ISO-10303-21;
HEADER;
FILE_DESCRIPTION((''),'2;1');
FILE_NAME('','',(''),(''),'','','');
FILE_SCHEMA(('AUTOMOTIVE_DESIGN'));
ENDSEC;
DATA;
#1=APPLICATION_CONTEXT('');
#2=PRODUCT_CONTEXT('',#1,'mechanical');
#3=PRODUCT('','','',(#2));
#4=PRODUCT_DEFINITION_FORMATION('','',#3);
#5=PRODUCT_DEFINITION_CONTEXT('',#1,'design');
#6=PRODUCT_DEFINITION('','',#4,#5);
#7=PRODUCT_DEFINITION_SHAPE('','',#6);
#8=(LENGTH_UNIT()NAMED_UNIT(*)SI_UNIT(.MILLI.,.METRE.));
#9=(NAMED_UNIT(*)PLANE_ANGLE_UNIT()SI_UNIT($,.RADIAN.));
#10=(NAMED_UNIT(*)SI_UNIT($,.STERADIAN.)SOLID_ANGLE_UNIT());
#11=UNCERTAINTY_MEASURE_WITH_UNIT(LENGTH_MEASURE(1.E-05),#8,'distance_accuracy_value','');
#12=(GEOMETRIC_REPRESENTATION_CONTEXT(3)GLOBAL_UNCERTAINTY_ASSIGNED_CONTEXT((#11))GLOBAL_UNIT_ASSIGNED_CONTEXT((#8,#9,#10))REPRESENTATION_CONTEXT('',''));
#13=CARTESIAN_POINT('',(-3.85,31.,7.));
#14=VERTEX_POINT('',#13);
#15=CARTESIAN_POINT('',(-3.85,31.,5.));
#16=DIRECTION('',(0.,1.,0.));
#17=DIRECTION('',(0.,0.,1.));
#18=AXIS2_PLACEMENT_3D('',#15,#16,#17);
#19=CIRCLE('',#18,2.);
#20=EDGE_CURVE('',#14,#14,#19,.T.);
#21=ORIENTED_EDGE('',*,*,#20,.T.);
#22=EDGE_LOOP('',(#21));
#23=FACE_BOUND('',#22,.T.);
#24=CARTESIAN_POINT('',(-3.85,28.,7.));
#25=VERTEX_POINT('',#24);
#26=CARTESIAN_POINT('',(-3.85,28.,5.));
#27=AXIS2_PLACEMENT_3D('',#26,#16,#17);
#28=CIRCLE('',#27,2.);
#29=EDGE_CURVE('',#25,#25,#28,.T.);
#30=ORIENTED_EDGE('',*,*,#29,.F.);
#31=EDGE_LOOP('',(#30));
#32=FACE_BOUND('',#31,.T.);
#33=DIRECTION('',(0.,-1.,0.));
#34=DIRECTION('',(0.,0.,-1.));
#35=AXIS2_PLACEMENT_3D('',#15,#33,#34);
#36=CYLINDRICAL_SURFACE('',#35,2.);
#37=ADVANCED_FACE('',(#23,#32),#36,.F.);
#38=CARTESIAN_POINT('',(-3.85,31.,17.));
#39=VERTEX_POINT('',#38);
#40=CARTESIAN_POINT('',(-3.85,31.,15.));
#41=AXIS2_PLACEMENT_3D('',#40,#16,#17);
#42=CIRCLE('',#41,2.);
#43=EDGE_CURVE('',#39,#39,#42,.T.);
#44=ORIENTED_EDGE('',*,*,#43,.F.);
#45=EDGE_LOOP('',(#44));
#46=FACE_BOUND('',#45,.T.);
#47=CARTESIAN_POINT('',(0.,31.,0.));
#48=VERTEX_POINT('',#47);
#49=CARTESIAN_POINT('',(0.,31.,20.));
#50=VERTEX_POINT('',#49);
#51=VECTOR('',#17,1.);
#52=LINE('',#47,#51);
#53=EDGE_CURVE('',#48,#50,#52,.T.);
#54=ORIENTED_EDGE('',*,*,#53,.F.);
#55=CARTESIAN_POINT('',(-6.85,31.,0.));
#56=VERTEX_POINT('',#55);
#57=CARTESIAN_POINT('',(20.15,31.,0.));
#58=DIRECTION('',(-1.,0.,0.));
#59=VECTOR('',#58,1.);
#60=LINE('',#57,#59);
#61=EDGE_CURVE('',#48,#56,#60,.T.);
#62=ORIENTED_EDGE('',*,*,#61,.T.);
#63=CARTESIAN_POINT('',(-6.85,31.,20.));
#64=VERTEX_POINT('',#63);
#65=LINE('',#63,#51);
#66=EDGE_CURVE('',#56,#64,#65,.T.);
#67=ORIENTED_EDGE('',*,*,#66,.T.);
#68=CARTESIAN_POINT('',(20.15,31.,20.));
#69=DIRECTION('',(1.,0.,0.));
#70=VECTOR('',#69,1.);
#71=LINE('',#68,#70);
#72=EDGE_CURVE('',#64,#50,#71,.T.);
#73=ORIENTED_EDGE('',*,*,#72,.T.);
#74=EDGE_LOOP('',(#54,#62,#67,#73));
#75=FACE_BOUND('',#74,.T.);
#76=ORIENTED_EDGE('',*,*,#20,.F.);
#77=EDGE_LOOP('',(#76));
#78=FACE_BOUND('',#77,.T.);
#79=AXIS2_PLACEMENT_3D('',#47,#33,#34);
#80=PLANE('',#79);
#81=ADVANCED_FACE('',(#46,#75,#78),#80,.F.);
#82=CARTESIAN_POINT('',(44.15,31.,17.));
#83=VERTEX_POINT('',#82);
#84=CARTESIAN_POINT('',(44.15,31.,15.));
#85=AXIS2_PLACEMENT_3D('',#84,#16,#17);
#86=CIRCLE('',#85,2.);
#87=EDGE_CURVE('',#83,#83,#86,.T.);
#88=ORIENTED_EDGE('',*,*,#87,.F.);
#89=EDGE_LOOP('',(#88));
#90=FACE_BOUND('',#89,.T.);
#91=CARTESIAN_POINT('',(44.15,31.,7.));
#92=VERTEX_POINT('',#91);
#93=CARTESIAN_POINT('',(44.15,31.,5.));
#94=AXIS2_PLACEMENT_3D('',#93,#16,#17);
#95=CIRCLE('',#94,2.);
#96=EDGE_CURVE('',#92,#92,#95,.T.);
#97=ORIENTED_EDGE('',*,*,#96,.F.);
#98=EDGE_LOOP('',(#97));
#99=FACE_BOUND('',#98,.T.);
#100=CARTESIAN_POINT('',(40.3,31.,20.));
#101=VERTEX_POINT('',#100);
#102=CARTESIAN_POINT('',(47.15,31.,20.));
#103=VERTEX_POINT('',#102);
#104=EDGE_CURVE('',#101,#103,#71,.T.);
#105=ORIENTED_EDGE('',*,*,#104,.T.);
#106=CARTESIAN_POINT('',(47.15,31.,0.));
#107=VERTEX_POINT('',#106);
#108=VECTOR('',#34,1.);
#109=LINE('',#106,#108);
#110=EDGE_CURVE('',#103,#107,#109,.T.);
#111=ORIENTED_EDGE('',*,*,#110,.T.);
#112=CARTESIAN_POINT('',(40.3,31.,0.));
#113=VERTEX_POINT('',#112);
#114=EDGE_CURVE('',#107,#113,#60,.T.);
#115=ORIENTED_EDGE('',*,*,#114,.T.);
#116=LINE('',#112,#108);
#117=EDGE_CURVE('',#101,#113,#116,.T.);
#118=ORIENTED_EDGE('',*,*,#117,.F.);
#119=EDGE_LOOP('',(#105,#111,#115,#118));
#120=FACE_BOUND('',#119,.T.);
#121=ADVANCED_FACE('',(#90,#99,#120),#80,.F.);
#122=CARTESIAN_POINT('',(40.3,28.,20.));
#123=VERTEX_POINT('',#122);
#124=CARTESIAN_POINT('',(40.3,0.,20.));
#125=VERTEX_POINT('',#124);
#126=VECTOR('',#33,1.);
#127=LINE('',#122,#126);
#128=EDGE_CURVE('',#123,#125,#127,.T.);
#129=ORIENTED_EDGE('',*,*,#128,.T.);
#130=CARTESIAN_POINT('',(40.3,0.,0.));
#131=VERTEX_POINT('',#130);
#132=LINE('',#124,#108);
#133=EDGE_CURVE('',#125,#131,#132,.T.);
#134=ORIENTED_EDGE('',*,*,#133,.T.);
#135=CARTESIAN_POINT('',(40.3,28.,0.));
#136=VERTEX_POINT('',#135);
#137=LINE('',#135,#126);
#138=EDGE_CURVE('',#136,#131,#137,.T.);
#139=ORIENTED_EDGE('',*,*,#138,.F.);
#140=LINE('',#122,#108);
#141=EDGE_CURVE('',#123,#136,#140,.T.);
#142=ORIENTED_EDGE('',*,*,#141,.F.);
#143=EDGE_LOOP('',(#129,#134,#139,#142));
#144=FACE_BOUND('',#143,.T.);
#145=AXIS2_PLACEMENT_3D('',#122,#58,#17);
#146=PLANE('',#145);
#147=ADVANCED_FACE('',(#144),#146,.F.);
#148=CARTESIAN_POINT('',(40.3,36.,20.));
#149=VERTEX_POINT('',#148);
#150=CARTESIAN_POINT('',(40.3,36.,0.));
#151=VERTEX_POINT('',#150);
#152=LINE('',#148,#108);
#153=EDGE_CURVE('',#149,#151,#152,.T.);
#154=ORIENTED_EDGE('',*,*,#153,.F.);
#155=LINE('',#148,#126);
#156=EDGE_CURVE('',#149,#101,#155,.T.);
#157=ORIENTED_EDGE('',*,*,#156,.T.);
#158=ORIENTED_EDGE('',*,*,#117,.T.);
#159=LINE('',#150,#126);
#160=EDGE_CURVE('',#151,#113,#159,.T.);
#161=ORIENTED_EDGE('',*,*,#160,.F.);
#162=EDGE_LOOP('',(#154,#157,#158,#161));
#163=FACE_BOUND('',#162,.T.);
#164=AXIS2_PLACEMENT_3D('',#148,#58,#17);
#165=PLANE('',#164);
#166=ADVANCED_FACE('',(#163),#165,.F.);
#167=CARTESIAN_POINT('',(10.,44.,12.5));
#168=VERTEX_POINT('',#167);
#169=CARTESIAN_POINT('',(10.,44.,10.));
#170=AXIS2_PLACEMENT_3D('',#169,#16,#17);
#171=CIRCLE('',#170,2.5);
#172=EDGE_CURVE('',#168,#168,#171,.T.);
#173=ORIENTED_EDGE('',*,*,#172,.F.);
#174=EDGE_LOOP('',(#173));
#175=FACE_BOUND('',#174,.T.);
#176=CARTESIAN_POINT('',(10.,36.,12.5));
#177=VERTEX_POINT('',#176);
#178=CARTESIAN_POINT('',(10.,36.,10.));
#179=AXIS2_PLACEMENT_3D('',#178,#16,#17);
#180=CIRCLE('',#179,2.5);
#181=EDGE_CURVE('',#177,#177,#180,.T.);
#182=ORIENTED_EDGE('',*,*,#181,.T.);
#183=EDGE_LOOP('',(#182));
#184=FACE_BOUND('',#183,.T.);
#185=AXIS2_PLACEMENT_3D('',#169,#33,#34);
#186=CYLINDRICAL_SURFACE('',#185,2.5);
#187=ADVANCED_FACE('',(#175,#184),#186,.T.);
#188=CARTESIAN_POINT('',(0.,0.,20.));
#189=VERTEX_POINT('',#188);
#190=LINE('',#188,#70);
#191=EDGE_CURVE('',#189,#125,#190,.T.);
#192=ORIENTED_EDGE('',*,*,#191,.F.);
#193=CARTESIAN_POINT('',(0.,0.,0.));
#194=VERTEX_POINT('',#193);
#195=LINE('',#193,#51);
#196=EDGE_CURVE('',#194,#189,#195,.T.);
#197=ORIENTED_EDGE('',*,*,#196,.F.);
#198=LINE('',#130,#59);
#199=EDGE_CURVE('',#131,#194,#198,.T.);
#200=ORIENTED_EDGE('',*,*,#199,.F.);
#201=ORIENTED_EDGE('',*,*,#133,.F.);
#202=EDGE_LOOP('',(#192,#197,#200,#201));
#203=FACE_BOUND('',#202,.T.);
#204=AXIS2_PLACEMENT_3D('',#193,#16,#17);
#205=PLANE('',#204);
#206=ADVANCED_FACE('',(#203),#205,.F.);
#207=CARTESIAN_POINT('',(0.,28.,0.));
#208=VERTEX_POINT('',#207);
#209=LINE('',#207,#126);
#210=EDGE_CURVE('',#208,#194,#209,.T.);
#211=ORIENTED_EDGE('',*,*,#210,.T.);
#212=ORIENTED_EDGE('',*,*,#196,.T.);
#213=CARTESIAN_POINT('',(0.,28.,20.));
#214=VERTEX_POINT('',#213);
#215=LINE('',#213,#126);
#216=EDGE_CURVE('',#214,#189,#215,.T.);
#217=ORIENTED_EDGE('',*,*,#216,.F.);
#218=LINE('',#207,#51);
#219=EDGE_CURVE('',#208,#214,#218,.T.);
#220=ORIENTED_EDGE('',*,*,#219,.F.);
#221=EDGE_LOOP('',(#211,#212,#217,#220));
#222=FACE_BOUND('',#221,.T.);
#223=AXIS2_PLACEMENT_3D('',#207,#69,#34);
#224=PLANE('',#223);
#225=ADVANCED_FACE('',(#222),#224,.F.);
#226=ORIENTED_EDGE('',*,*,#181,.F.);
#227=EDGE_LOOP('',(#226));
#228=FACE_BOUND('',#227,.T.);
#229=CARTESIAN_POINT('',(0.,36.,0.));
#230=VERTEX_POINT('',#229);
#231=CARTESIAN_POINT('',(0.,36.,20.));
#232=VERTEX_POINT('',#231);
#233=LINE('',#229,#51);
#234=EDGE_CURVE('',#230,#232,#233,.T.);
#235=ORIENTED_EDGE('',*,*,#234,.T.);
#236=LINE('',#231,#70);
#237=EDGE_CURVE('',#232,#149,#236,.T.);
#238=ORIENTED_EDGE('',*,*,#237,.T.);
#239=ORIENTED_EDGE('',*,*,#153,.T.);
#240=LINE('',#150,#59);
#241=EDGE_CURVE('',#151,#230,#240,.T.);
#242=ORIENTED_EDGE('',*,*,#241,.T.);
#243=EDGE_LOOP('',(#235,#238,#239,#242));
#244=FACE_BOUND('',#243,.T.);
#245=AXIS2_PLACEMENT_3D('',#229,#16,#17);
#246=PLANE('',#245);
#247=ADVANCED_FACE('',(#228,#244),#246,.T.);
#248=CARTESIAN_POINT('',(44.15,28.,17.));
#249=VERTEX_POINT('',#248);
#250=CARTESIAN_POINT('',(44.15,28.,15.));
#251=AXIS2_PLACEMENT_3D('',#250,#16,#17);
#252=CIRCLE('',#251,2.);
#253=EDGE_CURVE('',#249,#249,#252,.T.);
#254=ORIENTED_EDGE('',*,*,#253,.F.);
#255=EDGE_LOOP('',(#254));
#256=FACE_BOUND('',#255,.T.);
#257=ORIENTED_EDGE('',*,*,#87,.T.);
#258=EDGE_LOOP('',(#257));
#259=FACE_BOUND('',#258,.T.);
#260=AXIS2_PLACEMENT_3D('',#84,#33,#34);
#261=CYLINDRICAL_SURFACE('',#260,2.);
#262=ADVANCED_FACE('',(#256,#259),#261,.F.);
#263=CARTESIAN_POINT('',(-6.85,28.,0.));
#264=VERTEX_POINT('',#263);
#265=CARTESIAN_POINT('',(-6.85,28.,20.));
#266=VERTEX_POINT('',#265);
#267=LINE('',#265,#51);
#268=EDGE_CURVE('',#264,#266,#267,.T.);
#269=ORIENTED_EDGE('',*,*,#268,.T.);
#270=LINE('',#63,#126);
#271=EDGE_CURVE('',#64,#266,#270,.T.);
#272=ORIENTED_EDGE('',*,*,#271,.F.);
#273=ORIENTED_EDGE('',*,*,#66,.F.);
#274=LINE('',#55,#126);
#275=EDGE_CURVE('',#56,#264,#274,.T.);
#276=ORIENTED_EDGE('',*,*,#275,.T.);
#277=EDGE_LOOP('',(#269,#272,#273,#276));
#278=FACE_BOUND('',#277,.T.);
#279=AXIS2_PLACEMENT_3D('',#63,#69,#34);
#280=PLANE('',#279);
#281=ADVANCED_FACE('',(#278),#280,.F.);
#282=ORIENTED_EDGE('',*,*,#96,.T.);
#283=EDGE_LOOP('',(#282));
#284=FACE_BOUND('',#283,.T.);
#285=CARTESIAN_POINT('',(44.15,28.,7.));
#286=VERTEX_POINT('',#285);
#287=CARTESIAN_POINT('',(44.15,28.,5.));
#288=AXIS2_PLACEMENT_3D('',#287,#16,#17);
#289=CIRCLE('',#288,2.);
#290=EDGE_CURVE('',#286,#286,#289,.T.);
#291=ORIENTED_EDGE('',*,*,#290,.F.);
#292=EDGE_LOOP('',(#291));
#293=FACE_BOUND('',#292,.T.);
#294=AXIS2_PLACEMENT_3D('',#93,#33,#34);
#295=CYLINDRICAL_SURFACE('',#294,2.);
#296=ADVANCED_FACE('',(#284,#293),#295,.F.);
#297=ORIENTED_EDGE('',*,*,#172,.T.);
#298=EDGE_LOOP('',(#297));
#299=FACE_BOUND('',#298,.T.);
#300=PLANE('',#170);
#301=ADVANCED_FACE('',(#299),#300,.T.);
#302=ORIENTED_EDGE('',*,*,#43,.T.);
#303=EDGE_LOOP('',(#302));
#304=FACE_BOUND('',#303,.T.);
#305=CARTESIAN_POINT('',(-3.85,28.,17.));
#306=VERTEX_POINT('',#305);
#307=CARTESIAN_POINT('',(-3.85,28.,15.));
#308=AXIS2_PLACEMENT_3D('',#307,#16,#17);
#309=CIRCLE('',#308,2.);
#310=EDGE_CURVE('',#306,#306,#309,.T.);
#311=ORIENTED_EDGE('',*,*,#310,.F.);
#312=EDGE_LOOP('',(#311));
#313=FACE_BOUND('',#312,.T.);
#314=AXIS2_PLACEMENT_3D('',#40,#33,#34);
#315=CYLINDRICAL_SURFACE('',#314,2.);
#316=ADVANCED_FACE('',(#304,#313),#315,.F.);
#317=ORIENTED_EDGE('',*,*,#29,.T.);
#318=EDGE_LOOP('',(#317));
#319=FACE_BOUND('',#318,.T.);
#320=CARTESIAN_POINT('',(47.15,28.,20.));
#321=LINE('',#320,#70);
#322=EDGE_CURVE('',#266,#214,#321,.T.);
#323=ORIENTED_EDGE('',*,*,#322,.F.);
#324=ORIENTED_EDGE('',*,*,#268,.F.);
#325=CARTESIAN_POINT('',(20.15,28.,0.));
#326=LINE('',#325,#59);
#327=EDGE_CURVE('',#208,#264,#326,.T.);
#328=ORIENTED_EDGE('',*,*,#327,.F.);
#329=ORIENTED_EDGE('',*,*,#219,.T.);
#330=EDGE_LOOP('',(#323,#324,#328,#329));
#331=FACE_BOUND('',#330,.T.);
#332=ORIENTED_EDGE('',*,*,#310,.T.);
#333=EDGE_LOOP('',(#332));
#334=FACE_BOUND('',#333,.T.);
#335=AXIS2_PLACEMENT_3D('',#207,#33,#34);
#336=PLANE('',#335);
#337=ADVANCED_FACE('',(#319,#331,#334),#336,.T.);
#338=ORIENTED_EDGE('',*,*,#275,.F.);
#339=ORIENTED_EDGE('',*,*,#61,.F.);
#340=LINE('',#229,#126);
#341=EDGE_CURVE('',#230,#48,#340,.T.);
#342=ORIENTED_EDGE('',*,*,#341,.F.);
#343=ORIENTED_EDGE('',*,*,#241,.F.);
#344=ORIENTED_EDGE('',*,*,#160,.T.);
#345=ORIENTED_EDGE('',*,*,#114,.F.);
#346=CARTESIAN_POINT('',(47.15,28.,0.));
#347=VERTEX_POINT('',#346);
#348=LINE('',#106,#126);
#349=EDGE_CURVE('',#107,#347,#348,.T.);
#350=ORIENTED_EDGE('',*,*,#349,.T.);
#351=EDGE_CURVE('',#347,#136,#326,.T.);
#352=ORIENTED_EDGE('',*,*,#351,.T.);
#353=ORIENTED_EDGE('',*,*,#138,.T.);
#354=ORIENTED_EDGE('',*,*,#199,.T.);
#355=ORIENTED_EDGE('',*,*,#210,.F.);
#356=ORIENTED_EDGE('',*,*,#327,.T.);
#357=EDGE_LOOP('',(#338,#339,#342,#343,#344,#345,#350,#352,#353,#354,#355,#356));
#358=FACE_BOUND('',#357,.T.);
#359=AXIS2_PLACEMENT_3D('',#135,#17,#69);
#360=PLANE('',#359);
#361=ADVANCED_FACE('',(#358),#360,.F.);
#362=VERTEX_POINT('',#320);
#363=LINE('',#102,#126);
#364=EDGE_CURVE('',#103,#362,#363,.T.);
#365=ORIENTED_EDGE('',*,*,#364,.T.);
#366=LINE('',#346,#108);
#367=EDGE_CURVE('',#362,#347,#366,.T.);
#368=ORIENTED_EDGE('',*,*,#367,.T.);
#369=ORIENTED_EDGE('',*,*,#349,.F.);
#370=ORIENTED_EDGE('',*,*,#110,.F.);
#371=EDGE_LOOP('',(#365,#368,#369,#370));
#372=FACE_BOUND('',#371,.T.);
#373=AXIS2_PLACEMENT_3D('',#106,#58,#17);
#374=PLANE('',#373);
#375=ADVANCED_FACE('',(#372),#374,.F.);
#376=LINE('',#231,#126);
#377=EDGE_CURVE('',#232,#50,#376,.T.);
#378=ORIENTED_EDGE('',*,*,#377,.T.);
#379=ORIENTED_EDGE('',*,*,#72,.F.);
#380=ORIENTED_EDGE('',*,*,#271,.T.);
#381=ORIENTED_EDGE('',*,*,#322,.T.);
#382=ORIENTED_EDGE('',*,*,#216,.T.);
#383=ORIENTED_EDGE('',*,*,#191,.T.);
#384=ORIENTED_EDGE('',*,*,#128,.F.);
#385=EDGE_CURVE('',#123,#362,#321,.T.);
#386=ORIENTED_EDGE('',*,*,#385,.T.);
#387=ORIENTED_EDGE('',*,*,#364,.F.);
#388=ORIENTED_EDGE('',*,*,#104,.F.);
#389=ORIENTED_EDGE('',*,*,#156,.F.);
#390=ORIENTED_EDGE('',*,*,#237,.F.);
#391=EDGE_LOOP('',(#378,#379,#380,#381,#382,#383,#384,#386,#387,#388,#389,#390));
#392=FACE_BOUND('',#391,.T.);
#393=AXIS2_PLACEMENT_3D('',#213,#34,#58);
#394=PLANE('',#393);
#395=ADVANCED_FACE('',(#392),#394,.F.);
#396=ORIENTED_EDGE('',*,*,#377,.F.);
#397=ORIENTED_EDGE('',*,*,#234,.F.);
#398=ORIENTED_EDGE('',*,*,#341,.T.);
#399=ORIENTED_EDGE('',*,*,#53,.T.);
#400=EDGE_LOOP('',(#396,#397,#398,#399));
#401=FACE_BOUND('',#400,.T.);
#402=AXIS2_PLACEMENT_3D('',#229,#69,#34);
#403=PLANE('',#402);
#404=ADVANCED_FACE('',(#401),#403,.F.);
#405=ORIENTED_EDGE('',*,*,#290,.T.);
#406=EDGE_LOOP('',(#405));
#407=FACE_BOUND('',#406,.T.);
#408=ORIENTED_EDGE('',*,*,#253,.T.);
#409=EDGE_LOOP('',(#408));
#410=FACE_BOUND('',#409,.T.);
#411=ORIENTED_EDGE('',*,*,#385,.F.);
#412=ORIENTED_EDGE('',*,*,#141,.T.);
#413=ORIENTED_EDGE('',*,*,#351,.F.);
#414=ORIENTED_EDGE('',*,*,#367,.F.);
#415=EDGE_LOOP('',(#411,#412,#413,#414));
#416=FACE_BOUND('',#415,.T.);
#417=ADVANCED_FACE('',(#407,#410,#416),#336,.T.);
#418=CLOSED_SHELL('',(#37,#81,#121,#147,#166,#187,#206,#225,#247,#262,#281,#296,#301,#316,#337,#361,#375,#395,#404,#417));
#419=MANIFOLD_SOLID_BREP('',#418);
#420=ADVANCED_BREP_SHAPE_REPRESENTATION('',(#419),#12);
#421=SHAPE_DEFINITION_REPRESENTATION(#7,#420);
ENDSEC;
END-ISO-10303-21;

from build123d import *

# Parameters (mm, degrees)
SKETCH1_W           = 40.3
SKETCH1_H           = 20
BOSS_EXTRUDE1_DEPTH = 28
SKETCH2_R           = 2
BOSS_EXTRUDE2_DEPTH = 3
SKETCH3_W           = 40.3
SKETCH3_H           = 20
BOSS_EXTRUDE3_DEPTH = 8
SKETCH4_R           = 2.5
BOSS_EXTRUDE4_DEPTH = 8


with BuildPart() as part:
    # Sketch1 → Boss-Extrude1 (new body)
    with BuildSketch(Plane(origin=(0, 0, 0), x_dir=(1, 0, 0), z_dir=(0, 1, 0))):
        with Locations((20.15, -10)):
            Rectangle(SKETCH1_W, SKETCH1_H)
    extrude(amount=BOSS_EXTRUDE1_DEPTH)

    # Sketch2 → Boss-Extrude2 (add)
    with BuildSketch(Plane(origin=(0, 28, 0), x_dir=(1, 0, 0), z_dir=(0, 1, 0))):
        Polygon((20.15, 0), (-6.85, 0), (-6.85, -20), (20.15, -20), (47.15, -20), (47.15, 0), align=None)
        with Locations(Location((-3.85, -5, 0), (0, 0, 270))):
            Circle(SKETCH2_R, mode=Mode.SUBTRACT)
        with Locations(Location((-3.85, -15, 0), (0, 0, 270))):
            Circle(SKETCH2_R, mode=Mode.SUBTRACT)
        with Locations(Location((44.15, -5, 0), (0, 0, 270))):
            Circle(SKETCH2_R, mode=Mode.SUBTRACT)
        with Locations(Location((44.15, -15, 0), (0, 0, 270))):
            Circle(SKETCH2_R, mode=Mode.SUBTRACT)
    extrude(amount=BOSS_EXTRUDE2_DEPTH)

    # Sketch3 → Boss-Extrude3 (add)
    with BuildSketch(Plane(origin=(0, 28, 0), x_dir=(1, 0, 0), z_dir=(0, 1, 0))):
        with Locations((20.15, -10)):
            Rectangle(SKETCH3_W, SKETCH3_H)
    extrude(amount=BOSS_EXTRUDE3_DEPTH)

    # Sketch4 → Boss-Extrude4 (add)
    with BuildSketch(Plane(origin=(0, 36, 0), x_dir=(1, 0, 0), z_dir=(0, 1, 0))):
        with Locations(Location((10, -10, 0), (0, 0, 270))):
            Circle(SKETCH4_R)
    extrude(amount=BOSS_EXTRUDE4_DEPTH)


solid = part.part
